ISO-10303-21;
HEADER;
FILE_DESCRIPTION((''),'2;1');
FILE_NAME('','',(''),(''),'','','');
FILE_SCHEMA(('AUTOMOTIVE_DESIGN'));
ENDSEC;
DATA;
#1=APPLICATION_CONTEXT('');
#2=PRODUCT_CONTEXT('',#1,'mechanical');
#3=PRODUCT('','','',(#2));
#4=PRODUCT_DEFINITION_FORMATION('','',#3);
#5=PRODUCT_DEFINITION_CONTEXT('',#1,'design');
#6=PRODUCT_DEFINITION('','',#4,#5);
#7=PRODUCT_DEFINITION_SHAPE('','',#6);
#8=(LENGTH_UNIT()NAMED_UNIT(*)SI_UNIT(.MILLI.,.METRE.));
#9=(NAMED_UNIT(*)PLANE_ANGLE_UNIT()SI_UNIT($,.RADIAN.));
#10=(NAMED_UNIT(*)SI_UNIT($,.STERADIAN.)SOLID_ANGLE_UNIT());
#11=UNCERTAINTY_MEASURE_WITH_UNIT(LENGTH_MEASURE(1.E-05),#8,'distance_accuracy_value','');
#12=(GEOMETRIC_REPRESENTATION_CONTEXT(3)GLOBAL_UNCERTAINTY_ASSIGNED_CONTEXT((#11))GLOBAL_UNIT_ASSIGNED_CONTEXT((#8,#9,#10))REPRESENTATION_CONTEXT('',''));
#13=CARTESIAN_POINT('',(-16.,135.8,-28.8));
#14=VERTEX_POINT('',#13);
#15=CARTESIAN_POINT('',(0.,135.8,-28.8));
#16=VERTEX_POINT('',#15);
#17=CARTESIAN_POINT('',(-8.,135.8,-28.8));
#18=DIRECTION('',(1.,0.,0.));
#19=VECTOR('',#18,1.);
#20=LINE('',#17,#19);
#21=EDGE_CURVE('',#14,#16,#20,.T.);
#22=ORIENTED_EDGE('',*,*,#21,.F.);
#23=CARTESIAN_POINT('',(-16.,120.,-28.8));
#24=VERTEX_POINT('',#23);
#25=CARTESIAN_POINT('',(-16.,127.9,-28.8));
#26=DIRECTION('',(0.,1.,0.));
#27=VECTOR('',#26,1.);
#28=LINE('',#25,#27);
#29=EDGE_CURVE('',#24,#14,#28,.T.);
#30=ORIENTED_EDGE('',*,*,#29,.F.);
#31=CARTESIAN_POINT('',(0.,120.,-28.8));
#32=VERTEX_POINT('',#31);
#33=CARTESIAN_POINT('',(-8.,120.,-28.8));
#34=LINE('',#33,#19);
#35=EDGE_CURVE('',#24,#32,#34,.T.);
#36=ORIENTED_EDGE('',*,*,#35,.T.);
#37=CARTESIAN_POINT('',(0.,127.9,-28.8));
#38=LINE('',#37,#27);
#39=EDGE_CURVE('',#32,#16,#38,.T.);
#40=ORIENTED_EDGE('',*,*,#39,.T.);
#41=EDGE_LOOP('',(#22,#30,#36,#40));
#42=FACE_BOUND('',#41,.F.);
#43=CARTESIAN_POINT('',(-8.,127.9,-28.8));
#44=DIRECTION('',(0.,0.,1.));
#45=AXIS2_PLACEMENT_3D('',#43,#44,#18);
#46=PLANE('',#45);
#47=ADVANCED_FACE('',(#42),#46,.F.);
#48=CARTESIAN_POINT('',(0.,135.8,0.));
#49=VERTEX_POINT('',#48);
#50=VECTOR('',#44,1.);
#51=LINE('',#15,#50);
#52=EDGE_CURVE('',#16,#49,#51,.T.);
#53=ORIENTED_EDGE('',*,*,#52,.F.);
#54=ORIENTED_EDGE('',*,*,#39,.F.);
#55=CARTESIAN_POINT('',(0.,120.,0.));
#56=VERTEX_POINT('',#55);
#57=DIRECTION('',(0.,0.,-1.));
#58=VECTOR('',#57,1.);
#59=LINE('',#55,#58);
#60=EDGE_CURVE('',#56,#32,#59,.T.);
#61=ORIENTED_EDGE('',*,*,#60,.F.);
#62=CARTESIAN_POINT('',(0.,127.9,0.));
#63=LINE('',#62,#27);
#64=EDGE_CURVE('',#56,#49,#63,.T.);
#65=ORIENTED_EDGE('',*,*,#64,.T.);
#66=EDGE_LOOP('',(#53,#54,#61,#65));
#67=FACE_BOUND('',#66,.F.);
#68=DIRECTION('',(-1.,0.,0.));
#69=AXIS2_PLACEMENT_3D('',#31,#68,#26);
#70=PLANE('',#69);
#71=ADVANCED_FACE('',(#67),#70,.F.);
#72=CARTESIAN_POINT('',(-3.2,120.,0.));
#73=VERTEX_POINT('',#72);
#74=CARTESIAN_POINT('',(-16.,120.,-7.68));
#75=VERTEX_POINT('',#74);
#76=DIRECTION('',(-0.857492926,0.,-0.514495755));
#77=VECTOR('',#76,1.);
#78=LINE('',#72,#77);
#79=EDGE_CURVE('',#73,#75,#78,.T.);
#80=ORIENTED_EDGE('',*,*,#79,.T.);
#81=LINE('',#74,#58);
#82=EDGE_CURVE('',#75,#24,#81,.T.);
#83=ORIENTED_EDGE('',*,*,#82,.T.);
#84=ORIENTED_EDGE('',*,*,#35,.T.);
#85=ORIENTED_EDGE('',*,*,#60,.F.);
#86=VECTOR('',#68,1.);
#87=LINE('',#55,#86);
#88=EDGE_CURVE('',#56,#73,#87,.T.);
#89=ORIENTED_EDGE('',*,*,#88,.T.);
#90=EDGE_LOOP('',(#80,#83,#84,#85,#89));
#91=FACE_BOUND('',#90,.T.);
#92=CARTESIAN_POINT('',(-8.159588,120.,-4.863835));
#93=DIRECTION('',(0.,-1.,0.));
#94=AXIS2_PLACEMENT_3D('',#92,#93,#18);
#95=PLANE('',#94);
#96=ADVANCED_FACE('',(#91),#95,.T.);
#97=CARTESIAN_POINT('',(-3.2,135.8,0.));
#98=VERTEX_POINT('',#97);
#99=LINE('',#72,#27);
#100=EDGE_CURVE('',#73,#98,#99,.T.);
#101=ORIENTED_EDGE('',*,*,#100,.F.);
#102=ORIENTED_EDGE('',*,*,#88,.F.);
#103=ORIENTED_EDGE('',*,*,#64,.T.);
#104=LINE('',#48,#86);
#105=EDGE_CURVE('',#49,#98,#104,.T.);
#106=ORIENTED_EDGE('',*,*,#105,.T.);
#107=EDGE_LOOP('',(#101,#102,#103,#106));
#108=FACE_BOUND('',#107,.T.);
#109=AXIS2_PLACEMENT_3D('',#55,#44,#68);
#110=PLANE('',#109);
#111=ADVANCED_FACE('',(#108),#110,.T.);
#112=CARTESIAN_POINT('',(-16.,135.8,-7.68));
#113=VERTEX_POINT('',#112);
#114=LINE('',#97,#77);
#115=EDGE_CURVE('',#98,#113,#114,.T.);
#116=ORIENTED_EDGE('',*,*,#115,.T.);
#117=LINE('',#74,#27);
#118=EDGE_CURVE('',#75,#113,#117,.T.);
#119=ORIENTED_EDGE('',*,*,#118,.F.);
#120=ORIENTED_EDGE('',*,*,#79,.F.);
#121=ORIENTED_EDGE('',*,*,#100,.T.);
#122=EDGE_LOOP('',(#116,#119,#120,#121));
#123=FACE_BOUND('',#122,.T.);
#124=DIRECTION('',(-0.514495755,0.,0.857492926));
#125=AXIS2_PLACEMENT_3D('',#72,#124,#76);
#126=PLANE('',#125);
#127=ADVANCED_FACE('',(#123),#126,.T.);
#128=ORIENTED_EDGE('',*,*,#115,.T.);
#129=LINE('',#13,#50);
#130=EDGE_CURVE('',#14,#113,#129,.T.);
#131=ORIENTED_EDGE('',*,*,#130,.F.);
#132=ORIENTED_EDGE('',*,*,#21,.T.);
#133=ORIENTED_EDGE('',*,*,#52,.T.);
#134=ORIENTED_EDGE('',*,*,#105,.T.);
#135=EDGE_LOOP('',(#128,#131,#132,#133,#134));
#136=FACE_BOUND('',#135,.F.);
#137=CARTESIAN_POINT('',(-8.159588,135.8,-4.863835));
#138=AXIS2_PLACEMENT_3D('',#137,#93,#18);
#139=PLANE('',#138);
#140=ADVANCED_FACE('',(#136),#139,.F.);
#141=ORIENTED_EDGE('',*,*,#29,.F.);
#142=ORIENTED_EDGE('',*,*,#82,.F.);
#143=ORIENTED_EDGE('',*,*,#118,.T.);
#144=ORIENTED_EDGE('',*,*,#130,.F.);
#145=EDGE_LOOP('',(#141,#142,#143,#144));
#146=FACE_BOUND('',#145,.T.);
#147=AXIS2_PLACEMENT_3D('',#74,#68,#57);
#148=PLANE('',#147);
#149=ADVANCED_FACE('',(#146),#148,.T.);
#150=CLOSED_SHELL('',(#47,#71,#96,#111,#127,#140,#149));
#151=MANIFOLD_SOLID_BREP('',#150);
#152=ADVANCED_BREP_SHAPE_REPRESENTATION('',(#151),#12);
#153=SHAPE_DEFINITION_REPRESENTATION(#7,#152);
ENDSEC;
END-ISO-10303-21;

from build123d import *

# Parameters (mm, degrees)
SKETCH017_W     = 16
SKETCH017_H     = 15.8
PAD010_DEPTH    = 28.8
POCKET007_DEPTH = 16
PAD137_DEPTH    = 15.8


with BuildPart() as part:
    # Sketch017 (on Face68 of Binder006) → Pad010 (new body)
    with BuildSketch(Plane.XY.offset(-28.8)):
        with Locations((-8, 127.9)):
            Rectangle(SKETCH017_W, SKETCH017_H)
    extrude(amount=PAD010_DEPTH)

    # Sketch018 (on Face3 of Pad010) → Pocket007 (cut)
    with BuildSketch(Plane.XZ.offset(-120)):
        Polygon((0, 0), (-16, -9.6), (-16, 0), align=None)
    extrude(amount=-POCKET007_DEPTH, mode=Mode.SUBTRACT)

    # Sketch141 (on Face6 of Pocket007) → Pad137 (join)
    with BuildSketch(Plane.XZ.offset(-120)):
        Polygon((0, 0), (-3.2, 0), (-16, -7.68), (-16, -10.88), (-3.2, -3.2), (0, -3.2), align=None)
    extrude(amount=-PAD137_DEPTH)


solid = part.part
